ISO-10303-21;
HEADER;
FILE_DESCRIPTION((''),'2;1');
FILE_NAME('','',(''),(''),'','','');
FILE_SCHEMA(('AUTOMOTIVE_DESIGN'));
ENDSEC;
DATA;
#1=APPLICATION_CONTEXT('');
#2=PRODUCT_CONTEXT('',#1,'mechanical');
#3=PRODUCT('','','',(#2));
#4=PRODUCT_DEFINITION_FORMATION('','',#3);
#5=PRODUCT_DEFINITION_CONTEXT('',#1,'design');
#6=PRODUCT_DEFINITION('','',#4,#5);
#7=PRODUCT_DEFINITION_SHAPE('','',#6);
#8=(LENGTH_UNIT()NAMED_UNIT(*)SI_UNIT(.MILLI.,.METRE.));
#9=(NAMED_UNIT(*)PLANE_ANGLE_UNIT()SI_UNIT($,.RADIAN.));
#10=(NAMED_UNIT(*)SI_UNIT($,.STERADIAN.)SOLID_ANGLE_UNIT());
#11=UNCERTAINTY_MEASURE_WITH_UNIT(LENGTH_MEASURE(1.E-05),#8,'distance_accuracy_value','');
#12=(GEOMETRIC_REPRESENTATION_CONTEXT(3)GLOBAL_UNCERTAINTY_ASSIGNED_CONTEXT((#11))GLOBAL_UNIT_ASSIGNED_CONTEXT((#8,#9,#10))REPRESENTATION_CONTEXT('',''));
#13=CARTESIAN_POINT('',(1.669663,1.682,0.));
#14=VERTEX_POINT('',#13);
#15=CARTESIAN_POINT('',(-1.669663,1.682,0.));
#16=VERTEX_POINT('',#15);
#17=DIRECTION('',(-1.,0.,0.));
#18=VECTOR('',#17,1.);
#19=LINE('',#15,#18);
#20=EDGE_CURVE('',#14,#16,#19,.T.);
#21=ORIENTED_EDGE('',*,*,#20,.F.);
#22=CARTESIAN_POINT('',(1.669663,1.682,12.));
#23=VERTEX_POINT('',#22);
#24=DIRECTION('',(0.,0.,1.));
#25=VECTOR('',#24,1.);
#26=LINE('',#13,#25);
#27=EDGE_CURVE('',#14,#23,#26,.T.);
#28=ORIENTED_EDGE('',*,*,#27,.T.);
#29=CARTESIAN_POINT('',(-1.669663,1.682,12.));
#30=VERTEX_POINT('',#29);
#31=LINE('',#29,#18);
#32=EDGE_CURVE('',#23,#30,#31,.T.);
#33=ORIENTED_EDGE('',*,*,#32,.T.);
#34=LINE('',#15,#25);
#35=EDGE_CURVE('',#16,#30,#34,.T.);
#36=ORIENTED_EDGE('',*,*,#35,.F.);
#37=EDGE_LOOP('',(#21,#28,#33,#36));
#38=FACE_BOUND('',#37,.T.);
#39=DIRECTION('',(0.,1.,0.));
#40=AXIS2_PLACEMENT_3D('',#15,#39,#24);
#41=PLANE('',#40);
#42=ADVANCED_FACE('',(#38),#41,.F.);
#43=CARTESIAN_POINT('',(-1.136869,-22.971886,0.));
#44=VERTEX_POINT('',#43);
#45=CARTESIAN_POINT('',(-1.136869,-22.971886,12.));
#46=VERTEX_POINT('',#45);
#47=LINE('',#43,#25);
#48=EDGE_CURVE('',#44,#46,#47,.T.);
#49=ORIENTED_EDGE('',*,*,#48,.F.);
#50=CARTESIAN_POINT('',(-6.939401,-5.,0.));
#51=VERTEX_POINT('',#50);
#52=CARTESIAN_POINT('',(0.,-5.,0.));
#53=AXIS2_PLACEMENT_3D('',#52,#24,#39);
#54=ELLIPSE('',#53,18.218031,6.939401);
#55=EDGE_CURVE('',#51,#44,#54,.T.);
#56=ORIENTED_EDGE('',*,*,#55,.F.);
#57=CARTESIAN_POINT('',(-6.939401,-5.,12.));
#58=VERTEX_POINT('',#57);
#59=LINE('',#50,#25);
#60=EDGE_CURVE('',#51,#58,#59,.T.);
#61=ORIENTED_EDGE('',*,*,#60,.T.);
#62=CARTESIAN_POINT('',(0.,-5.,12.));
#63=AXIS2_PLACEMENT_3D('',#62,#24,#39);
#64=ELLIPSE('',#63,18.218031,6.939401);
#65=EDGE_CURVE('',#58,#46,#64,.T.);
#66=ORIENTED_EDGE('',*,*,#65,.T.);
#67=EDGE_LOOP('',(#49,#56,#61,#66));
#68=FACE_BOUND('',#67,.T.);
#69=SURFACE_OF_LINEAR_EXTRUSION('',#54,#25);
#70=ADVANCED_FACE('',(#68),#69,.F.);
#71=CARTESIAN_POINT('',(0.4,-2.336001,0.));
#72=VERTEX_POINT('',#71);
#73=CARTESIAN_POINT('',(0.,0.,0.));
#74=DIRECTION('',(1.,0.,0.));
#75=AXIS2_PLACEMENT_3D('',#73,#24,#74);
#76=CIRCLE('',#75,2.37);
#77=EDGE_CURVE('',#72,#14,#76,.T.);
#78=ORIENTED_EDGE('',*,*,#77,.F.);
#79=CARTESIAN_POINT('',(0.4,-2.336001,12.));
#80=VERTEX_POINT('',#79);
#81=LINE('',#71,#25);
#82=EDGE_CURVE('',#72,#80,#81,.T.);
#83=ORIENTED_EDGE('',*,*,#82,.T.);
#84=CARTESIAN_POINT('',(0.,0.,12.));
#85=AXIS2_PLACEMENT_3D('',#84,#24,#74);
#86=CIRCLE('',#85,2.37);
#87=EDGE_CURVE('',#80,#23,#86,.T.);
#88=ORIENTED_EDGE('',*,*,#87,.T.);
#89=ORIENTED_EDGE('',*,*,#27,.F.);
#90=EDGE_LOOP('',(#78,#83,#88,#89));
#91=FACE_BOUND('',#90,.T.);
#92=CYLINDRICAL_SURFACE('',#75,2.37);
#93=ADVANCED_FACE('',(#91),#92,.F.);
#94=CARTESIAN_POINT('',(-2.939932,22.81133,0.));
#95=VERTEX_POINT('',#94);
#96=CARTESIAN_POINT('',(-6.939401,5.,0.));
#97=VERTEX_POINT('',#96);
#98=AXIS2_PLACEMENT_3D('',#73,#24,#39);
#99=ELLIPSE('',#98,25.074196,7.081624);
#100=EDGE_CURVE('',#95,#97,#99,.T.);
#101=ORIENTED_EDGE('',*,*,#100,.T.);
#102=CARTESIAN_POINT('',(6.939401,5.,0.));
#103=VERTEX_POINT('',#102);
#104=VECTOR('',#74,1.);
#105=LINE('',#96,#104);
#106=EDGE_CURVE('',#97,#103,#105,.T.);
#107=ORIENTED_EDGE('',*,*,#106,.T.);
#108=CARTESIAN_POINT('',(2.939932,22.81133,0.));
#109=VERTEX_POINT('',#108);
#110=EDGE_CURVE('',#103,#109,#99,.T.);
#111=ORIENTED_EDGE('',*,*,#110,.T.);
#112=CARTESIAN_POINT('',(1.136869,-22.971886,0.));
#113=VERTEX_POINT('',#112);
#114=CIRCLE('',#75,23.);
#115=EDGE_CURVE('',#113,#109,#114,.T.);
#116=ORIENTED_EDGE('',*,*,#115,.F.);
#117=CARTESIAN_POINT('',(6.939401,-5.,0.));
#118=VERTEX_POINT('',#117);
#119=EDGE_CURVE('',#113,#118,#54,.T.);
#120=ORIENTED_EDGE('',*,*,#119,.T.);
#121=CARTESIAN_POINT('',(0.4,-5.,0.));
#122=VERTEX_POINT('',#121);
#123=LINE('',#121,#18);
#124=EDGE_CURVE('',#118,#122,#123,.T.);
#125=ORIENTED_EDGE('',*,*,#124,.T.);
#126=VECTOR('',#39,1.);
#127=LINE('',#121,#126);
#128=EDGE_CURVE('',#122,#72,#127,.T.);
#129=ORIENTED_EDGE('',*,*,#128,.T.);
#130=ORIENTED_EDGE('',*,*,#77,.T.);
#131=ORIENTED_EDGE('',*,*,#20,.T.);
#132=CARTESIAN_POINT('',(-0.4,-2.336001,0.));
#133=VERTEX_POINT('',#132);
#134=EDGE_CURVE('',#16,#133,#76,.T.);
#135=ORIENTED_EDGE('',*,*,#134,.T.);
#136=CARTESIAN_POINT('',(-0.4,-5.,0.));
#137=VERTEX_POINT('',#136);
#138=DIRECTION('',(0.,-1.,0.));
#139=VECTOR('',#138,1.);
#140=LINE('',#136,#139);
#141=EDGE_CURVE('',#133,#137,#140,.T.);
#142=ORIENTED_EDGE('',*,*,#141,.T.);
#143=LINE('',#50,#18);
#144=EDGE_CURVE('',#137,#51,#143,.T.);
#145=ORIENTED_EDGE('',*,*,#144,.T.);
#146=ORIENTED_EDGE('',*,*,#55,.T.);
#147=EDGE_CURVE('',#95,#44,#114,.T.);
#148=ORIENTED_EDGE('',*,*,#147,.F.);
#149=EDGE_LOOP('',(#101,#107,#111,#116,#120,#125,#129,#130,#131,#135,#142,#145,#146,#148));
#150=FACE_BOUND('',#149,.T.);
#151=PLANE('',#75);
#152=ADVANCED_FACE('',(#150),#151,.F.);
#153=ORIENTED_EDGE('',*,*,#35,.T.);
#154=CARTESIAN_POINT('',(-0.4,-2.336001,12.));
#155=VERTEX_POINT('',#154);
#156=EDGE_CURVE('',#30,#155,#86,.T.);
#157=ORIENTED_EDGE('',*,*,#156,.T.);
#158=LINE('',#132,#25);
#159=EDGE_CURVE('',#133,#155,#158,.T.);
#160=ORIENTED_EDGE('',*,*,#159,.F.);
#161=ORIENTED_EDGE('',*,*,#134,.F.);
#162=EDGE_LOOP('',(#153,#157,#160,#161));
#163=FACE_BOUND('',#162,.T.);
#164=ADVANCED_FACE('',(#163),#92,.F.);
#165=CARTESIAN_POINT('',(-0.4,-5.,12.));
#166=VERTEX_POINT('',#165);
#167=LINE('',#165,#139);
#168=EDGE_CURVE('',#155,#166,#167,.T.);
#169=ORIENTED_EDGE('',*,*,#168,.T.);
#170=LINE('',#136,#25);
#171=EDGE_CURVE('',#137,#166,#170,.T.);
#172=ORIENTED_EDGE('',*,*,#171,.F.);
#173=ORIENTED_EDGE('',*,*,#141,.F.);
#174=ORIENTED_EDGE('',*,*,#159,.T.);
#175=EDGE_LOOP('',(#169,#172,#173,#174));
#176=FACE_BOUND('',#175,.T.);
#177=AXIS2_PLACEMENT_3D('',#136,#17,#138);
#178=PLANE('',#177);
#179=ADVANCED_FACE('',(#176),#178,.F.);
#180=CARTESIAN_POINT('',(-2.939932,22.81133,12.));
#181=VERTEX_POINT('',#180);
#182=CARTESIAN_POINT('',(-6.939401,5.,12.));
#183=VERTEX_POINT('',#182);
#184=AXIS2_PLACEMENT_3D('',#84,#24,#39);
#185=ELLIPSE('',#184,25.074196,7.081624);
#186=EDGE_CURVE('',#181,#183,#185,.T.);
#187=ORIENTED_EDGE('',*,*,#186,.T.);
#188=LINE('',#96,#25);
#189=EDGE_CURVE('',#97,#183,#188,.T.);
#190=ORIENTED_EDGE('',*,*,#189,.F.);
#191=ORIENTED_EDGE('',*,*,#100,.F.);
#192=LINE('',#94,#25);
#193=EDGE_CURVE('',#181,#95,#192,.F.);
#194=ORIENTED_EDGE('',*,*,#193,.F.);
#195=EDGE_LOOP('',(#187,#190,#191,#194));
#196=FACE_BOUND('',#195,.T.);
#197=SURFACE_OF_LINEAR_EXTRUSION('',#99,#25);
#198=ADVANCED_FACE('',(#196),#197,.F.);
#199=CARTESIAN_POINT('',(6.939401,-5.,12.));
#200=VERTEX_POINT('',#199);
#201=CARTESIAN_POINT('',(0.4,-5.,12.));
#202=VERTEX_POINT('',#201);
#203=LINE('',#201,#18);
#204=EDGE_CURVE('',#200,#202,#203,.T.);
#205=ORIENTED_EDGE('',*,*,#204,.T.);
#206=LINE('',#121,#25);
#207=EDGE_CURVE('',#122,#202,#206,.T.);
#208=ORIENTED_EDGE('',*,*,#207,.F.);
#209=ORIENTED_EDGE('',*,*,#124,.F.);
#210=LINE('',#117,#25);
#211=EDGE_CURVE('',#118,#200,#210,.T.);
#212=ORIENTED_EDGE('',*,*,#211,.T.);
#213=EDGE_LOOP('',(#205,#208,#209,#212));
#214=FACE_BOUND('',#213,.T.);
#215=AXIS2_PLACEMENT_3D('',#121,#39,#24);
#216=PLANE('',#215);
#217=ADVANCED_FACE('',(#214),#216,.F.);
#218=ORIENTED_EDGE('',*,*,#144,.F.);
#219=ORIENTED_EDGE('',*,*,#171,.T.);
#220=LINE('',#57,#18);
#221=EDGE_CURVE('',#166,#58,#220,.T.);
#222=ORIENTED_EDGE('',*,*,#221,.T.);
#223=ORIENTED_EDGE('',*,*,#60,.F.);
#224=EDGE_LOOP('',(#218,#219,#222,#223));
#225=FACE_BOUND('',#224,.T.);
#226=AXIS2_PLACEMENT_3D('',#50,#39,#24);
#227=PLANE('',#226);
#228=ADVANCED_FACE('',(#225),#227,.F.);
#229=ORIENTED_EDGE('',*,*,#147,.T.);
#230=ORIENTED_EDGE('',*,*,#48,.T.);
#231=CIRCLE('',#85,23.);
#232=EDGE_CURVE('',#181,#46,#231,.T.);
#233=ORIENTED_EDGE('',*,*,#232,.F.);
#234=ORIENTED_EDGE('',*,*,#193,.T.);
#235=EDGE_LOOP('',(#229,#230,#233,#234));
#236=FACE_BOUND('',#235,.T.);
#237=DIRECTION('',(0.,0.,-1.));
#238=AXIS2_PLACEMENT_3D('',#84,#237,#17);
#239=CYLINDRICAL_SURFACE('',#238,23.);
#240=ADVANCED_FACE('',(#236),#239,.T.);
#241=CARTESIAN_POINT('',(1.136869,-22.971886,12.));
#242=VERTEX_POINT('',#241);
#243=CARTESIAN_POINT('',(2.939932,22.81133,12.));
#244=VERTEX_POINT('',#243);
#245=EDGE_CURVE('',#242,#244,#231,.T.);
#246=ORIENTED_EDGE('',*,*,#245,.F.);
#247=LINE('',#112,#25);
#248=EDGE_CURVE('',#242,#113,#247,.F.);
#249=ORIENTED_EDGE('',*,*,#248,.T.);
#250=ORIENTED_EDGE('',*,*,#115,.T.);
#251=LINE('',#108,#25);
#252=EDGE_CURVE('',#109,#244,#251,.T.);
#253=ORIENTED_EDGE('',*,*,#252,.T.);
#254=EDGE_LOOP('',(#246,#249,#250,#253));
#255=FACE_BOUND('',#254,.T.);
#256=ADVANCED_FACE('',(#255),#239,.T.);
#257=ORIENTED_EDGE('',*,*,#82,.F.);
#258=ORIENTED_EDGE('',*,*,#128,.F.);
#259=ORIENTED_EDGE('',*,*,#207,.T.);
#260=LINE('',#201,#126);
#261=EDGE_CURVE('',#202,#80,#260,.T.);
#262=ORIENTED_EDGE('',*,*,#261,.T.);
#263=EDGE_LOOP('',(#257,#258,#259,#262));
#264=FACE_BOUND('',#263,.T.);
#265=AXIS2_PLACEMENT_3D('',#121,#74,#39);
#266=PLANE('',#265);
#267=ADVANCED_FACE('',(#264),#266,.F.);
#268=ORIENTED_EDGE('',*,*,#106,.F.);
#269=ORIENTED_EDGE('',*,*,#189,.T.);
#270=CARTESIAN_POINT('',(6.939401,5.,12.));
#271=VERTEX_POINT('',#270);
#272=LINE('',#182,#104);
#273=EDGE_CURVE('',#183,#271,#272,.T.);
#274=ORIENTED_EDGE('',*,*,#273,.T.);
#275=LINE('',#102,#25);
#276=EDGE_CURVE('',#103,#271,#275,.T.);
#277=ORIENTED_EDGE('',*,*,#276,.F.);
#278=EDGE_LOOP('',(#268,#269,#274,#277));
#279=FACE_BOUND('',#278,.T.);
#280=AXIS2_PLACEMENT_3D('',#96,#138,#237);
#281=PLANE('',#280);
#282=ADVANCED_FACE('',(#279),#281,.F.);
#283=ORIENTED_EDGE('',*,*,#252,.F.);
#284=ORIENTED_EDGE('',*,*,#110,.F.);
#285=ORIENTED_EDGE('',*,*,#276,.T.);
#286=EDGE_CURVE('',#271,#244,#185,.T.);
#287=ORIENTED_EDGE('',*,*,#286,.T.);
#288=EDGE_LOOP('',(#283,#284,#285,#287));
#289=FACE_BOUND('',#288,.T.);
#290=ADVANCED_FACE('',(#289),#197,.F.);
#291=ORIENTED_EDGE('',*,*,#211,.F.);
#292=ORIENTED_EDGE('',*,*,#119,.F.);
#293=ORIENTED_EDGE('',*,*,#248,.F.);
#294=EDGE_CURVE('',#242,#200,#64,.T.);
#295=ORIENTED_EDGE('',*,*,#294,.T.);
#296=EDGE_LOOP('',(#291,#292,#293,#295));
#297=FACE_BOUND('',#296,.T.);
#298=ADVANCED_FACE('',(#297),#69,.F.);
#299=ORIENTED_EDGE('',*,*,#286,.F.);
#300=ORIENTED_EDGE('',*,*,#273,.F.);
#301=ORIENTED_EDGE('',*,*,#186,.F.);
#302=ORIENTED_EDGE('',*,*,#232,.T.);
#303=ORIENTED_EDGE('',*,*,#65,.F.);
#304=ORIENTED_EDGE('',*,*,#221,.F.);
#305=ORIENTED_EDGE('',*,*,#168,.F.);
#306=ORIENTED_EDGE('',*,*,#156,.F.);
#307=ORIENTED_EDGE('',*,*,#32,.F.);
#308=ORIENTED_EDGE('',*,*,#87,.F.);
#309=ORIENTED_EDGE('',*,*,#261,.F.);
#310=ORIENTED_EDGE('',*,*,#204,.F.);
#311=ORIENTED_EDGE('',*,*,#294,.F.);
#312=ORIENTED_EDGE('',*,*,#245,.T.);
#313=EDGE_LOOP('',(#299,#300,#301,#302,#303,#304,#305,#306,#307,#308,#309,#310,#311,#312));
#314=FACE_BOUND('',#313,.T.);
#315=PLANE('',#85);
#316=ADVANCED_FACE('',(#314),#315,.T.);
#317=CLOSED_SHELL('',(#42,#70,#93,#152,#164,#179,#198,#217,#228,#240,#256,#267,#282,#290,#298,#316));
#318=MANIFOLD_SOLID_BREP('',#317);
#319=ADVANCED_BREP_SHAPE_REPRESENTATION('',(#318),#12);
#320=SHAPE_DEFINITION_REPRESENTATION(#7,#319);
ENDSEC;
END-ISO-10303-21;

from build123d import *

# Parameters (mm, degrees)
SKETCH1_R           = 23
BOSS_EXTRUDE1_DEPTH = 12
CUT_EXTRUDE1_DEPTH  = 13


with BuildPart() as part:
    # Sketch1 → Boss-Extrude1 (new body)
    with BuildSketch(Plane.XY):
        Circle(SKETCH1_R)
    extrude(amount=BOSS_EXTRUDE1_DEPTH)

    # Sketch2 → Cut-Extrude1 (cut, through all)
    with BuildSketch(Plane.XY.offset(12)):
        with BuildLine():
            Line((-1.669663439, 1.682), (1.669663439, 1.682))
            ThreePointArc((1.669663439, 1.682), (2.259858272, -0.714101248), (0.4, -2.336000856))
            Line((0.4, -2.336000856), (0.4, -5))
            Line((0.4, -5), (6.939400576, -5))
            add(Edge.make_bspline(
                [(-6.939400576, -5), (-6.939400576, -23.218031299), (0, -23.218031299), (6.939400576, -23.218031299), (6.939400576, -5)],
                knots=[1.570796327, 1.570796327, 1.570796327, 3.141592654, 3.141592654, 4.71238898, 4.71238898, 4.71238898], degree=2, weights=[1, 0.707106781, 1, 0.707106781, 1]))
            Line((-6.939400576, -5), (-0.4, -5))
            Line((-0.4, -5), (-0.4, -2.336000856))
            ThreePointArc((-0.4, -2.336000856), (-2.259858272, -0.714101248), (-1.669663439, 1.682))
        make_face()
        with BuildLine():
            Line((-6.939400576, 5), (6.939400576, 5))
            add(Edge.make_bspline(
                [(6.939400576, 5), (5.785687162, 25.074195607), (0, 25.074195607), (-5.785687162, 25.074195607), (-6.939400576, 5)],
                knots=[4.913142926, 4.913142926, 4.913142926, 6.283185307, 6.283185307, 7.653227688, 7.653227688, 7.653227688], degree=2, weights=[1, 0.77440564, 1, 0.77440564, 1]))
        make_face()
    extrude(amount=-CUT_EXTRUDE1_DEPTH, mode=Mode.SUBTRACT)


solid = part.part
